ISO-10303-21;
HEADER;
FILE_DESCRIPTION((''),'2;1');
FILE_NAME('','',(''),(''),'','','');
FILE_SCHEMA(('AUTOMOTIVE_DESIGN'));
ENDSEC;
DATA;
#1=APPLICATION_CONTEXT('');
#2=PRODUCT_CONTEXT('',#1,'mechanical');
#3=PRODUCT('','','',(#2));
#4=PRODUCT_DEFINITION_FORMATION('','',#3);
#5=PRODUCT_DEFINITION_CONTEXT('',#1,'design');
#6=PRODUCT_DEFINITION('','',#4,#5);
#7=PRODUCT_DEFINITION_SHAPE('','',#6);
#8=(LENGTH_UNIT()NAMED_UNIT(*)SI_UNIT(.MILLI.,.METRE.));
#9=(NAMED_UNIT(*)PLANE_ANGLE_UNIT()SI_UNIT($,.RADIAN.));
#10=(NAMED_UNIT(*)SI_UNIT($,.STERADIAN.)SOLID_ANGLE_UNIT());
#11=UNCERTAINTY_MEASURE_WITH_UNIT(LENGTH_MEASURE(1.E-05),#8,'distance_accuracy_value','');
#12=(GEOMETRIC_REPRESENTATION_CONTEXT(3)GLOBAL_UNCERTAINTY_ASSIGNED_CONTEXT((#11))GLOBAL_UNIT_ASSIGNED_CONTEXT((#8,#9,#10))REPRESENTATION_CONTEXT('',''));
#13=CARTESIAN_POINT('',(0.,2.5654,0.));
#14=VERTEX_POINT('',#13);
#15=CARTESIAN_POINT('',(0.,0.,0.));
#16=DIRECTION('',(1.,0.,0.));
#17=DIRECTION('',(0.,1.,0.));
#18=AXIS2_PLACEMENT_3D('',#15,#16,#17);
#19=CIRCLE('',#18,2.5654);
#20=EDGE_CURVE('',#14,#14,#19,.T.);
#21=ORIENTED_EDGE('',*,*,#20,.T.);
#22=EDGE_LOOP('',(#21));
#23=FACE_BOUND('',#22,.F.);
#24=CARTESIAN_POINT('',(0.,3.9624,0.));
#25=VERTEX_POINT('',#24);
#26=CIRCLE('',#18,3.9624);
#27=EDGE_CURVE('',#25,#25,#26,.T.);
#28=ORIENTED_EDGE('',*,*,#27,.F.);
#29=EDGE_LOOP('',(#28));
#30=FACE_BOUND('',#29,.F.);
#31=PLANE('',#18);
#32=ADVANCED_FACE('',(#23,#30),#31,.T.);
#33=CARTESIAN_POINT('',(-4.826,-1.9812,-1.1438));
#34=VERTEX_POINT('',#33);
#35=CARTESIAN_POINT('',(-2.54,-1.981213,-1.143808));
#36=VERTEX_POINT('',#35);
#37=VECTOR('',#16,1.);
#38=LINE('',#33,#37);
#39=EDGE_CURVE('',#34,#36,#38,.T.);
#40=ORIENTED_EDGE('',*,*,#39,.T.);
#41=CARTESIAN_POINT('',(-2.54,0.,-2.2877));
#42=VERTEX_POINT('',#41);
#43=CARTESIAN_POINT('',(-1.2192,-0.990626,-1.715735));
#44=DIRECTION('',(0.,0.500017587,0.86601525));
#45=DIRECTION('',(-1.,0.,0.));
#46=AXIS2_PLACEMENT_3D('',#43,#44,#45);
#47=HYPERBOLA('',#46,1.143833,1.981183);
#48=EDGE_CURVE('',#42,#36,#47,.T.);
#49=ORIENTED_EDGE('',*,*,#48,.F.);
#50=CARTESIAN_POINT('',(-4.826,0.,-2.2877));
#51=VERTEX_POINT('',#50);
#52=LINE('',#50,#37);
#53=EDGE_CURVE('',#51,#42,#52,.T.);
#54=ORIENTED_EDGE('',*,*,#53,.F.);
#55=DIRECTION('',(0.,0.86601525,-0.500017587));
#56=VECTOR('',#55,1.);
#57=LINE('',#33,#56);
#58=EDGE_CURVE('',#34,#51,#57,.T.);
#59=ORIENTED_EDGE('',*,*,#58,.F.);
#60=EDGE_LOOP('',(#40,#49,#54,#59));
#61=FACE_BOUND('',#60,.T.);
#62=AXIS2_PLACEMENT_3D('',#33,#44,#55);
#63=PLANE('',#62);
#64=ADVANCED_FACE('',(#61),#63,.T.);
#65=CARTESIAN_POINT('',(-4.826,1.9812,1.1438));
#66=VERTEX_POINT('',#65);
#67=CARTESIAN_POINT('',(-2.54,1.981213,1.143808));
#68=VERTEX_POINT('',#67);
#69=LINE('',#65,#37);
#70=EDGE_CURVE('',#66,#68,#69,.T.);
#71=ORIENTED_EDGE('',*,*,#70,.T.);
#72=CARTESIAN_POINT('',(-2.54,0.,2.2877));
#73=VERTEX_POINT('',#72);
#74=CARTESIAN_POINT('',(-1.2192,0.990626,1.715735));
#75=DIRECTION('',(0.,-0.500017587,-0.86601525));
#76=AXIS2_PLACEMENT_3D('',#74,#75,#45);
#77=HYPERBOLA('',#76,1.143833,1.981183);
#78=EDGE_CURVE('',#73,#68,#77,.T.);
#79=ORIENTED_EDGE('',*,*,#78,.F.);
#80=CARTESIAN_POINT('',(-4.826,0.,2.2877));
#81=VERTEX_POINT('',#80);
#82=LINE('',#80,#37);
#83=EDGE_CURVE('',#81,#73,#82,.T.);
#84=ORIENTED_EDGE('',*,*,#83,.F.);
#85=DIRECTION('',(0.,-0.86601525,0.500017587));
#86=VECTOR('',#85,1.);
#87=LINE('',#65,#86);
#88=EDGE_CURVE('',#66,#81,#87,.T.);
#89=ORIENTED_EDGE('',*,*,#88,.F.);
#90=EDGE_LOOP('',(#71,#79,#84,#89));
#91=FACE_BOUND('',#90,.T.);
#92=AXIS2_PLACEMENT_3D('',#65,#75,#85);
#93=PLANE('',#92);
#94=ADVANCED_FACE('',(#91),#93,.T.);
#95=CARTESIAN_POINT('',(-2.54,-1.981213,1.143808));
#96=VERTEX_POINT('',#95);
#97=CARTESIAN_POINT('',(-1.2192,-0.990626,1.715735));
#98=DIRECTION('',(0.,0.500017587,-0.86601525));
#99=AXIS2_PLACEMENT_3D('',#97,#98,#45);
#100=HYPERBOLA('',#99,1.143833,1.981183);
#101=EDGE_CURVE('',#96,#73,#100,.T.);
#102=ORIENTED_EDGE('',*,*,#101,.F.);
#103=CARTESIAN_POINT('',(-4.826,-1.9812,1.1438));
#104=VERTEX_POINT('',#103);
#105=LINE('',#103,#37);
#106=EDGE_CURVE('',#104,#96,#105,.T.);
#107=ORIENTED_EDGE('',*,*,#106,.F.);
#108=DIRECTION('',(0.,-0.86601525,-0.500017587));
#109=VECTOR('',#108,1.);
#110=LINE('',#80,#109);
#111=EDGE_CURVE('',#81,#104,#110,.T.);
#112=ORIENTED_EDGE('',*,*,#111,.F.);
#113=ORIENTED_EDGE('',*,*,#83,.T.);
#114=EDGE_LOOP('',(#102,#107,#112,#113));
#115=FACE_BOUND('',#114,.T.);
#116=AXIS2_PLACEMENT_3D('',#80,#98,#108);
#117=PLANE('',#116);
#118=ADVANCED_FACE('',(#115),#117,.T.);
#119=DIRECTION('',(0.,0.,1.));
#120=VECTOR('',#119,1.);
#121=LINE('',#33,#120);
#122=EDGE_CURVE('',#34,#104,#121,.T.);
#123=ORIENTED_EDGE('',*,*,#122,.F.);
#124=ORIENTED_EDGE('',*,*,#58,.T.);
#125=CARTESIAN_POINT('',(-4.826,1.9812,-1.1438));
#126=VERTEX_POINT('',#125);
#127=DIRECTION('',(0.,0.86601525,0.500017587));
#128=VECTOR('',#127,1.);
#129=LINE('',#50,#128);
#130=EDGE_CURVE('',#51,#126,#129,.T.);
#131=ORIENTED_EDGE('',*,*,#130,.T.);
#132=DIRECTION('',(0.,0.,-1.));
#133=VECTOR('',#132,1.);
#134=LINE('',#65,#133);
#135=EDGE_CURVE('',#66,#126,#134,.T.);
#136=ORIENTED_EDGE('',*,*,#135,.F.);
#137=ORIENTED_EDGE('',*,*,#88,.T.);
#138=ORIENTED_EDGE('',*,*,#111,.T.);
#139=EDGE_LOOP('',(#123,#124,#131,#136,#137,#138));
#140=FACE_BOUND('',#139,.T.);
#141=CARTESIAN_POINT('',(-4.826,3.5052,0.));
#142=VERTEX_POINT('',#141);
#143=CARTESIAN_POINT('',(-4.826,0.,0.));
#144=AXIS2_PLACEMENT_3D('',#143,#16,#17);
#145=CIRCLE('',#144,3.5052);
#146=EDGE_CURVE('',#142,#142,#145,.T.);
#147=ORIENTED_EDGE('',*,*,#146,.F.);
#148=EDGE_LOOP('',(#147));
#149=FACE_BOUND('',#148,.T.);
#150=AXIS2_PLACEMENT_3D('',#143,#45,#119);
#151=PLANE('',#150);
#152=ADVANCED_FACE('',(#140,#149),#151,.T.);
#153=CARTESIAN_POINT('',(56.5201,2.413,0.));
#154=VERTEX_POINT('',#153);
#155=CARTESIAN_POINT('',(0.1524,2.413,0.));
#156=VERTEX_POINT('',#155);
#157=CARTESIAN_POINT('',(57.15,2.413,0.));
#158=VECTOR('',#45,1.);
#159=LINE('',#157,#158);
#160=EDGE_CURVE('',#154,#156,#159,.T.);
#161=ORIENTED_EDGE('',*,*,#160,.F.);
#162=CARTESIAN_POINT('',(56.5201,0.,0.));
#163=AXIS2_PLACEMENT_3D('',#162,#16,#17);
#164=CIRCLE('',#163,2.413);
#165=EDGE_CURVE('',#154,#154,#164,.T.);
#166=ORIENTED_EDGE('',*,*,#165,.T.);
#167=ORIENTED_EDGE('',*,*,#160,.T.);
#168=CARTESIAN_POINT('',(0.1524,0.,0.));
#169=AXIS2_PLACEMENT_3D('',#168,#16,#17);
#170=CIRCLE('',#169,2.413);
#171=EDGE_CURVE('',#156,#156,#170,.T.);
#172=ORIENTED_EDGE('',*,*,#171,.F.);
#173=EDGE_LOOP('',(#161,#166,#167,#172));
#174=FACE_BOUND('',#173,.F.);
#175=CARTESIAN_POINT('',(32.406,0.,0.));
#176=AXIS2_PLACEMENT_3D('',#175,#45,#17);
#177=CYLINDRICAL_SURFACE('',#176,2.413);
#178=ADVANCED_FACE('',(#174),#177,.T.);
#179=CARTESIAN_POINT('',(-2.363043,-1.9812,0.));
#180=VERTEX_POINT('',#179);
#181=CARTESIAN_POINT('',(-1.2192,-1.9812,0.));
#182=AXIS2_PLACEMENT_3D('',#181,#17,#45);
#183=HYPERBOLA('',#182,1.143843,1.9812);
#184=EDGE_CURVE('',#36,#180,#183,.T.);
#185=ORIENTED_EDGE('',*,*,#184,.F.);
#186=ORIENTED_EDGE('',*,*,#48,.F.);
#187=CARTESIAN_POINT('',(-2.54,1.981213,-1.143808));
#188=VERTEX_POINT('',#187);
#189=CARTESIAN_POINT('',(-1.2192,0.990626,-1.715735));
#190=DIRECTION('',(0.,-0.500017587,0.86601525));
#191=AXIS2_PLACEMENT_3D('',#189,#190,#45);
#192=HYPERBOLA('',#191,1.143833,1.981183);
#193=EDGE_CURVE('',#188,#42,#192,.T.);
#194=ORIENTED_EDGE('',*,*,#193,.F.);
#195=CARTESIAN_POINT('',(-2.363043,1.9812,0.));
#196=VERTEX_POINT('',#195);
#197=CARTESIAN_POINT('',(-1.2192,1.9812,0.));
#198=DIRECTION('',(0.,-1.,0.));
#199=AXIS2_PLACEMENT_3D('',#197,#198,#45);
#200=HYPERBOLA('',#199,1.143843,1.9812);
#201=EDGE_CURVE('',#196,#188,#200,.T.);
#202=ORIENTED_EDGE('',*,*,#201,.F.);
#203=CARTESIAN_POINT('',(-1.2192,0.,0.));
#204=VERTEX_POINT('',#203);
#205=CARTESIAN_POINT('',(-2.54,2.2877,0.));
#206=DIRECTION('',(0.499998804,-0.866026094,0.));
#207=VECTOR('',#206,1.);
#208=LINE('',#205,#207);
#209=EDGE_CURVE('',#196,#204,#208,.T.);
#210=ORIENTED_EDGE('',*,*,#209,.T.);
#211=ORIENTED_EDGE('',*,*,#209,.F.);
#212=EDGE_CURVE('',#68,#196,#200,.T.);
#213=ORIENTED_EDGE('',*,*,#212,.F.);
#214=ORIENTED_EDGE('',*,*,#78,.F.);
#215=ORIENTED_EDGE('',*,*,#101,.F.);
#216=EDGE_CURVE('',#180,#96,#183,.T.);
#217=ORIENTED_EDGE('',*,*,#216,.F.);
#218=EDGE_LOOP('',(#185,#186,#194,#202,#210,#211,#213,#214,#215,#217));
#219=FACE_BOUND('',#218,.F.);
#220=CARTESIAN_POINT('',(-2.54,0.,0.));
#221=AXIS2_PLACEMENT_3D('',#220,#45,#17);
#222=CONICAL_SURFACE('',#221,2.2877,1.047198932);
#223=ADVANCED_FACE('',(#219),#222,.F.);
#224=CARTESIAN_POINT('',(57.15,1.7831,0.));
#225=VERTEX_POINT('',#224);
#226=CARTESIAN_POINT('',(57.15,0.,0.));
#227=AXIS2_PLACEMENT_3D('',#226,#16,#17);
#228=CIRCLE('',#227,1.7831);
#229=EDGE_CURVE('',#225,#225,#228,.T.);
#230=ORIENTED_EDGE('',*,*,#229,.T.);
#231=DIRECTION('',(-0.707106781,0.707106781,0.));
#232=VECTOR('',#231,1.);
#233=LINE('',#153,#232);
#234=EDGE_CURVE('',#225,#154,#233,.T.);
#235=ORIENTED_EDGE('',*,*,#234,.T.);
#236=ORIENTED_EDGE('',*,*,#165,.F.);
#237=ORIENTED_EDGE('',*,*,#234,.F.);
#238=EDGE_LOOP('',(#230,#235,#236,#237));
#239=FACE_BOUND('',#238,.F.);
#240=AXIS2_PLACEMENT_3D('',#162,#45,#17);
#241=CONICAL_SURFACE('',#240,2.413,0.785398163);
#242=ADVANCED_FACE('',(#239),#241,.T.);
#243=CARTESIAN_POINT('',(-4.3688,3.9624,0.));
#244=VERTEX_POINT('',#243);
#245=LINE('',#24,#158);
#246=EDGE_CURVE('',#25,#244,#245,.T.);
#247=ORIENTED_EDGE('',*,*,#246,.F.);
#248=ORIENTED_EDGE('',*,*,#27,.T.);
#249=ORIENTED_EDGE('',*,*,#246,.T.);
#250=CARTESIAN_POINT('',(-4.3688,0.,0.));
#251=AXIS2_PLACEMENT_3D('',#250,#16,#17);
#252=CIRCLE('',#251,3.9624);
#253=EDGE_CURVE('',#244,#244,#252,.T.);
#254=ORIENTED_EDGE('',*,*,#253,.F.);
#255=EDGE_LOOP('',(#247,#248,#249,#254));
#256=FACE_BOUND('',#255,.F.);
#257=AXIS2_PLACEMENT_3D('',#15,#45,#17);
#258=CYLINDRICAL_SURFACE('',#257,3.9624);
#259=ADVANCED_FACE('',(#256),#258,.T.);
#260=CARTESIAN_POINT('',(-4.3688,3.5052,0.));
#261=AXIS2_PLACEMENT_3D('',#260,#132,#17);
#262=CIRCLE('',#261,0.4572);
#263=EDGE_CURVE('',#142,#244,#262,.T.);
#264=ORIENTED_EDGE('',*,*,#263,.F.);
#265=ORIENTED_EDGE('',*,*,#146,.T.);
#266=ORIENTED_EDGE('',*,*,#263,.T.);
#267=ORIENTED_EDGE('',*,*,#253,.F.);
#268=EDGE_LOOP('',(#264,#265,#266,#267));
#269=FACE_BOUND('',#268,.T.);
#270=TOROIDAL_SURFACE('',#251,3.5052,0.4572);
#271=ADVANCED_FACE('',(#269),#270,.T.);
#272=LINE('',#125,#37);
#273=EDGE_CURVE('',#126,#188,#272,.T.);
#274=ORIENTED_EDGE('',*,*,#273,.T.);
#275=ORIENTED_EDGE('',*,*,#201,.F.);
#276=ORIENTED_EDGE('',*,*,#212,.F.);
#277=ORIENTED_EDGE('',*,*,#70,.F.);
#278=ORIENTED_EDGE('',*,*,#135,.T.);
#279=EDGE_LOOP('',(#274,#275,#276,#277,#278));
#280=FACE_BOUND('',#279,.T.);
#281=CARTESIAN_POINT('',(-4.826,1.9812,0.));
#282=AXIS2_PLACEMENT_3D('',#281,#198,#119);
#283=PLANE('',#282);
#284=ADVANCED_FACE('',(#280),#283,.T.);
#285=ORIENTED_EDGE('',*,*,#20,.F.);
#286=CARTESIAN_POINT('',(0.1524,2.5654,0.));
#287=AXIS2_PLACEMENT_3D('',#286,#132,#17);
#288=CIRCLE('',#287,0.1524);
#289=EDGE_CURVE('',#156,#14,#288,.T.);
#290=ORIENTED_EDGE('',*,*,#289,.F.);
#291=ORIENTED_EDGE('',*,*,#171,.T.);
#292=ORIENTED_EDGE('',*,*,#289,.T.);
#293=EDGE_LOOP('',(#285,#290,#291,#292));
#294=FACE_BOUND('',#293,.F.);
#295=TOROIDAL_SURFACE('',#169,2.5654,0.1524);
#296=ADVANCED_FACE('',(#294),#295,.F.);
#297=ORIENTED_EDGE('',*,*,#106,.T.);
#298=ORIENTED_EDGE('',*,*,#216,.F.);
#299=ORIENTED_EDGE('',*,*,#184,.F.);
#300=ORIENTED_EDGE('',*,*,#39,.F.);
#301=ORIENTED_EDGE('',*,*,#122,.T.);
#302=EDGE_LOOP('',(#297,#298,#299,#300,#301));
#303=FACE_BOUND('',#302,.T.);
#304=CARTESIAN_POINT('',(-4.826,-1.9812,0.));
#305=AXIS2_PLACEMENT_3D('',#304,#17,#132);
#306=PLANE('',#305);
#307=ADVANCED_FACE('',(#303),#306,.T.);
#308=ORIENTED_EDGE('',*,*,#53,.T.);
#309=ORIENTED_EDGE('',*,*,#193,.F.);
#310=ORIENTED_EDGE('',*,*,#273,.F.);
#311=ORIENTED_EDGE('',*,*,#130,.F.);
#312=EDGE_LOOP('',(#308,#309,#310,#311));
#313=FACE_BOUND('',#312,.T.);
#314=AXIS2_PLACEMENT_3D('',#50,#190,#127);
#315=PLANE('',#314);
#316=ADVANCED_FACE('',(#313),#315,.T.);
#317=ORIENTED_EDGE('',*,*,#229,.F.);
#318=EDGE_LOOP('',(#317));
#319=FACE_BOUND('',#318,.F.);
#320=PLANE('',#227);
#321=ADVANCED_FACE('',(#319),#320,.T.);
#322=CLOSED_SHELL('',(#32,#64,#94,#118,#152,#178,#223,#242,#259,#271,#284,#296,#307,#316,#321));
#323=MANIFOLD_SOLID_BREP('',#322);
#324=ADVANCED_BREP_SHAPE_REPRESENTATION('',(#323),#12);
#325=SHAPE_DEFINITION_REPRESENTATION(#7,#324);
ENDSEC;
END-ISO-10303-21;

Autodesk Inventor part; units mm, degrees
ref_plane "YZ Plane" through (0, 0, 0) normal (1, 0, 0) x (0, 1, 0)
ref_plane "XZ Plane" through (0, 0, 0) normal (0, 1, 0) x (-1, 0, 0)
sketch "Sketch1" plane through (0, 0, 0) normal (0, 0, 1) x (1, 0, 0)
  line L0 (-1.2192, 0) -> (57.15, 0)
  line L1 (57.15, 0) -> (57.15, 2.413)
  line L2 (57.15, 2.413) -> (35.052, 2.413)
  line L3 (35.052, 2.413) -> (32.406, 2.413)
  line L4 (32.406, 2.413) -> (0, 2.413)
  line L5 (0, 2.413) -> (0, 3.9624)
  line L6 (0, 3.9624) -> (-4.826, 3.9624)
  line L7 (-4.826, 3.9624) -> (-4.826, 2.2877)
  line L8 (-4.826, 2.2877) -> (-2.54, 2.2877)
  line L9 (-2.54, 2.2877) -> (-1.2192, 0)
  line L10 (-17.2212, 0) -> (69.5452, 0) projected
  line L11 (0, -0.7925) -> (0, 4.7549) projected
  line L12 (35.052, 2.413) -> (0, 2.413) construction
  dimension "d1" = 22.098
  dimension "d2" = 2.646
  dimension "d3" = 4.826
  dimension "d4" = 2.286
  dimension "d5" = 60
  dimension "d6" = 4.826
  dimension "d7" = 4.826
  dimension "d8" = 4.5754
  dimension "d9" = 7.9248
  dimension "d26" = 57.15
revolve "Body" add sketch "Sketch1" angle 360 about axis through (-1.2192, 0, 0) along (1, 0, 0)
sketch "Sketch2" plane through (-4.826, 0, 0) normal (-1, 0, 0) x (0, 0, 1)
  circle A0 centre (0, 0) radius 2.2877 projected
  line L0 (0, -5.5474) -> (0, 5.5474) projected
  line L1 (-5.5474, 0) -> (5.5474, 0) projected
  line L2 (2.2877, 0) -> (1.1438, -1.9812)
  line L3 (1.1438, -1.9812) -> (-1.1438, -1.9812)
  line L4 (-1.1438, -1.9812) -> (-2.2877, 0)
  line L5 (-2.2877, 0) -> (-1.1438, 1.9812)
  line L6 (-1.1438, 1.9812) -> (1.1438, 1.9812)
  line L7 (1.1438, 1.9812) -> (2.2877, 0)
extrude "Slot" add sketch "Sketch2" against normal up to next contours L7 A0 | A0 L2 | L6 L0 A0 | A0 L0 L3 | L0 L6 A0 | A0 L3 L0 | L4 A0 | A0 L5
fillet "Fillet1" radius 0.4572 1 edges at (-4.826, -3.9624, 0)
thread "Thread" size "10-24 UNC" class "2A" standard "ANSI Unified Screw Threads" length 22.098
chamfer "Chamfer1" distance 0.6299 distance2 0.6299 1 edges at (57.15, -2.413, 0) measured on face at (57.15, -0.4231, -0.1925)
ref_plane "Work Plane1" through (29, 0, 0) normal (0, -1, 0) x (1, 0, 0)
fillet "Fillet2" radius 0.1524 1 edges at (0, -2.413, 0)
equation "\"d1\" = GEL"
equation "\"d3\" = KOH"
equation "\"d4\" = INTI"
equation "\"d6\" = GD"
equation "\"d7\" = BDM"
equation "\"d8\" = 1.1547 * SW"
equation "\"d9\" = KOD"
equation "\"d26\" = NLG"
equation "\"d30\" = R"
equation "\"d17\" = RR"
equation "\"d13\" = GEL"
equation "\"d15\" = -0.5 * SPD + 0.5 * GD"
equation "\"d16\" = GUL"
equation "\"GD\" = 4.826"
equation "\"NLG\" = 57.15"
equation "\"GEL\" = 22.098"
equation "\"KOD\" = 7.9248"
equation "\"KOH\" = 4.826"
equation "\"INTI\" = 2.286"
equation "\"GAL\" = 2.64592"
equation "\"GUL\" = 0.62992"
equation "\"BDM\" = 4.826"
equation "\"SW\" = 3.9624"
equation "\"RR\" = 0.4572"
equation "\"SPD\" = 3.56616"
equation "\"R\" = 0.1524"
equation "\"PHH\" = 0.127"
equation "\"GD1\" = SPD"
equation "\"THREADDIA\" = 4.826"
equation "\"FAWI\" = 45deg"
equation "\"KOH1\" = 4.3434"
equation "\"NND\" = 4.826"
equation "\"TOA\" = 30deg"
equation "\"E0\" = 1.155 * SW"
properties part number "ANSI B18.3 - No. 10 - 24 UNC - 2 1/4 HS HCS" material "Steel, Mild"
